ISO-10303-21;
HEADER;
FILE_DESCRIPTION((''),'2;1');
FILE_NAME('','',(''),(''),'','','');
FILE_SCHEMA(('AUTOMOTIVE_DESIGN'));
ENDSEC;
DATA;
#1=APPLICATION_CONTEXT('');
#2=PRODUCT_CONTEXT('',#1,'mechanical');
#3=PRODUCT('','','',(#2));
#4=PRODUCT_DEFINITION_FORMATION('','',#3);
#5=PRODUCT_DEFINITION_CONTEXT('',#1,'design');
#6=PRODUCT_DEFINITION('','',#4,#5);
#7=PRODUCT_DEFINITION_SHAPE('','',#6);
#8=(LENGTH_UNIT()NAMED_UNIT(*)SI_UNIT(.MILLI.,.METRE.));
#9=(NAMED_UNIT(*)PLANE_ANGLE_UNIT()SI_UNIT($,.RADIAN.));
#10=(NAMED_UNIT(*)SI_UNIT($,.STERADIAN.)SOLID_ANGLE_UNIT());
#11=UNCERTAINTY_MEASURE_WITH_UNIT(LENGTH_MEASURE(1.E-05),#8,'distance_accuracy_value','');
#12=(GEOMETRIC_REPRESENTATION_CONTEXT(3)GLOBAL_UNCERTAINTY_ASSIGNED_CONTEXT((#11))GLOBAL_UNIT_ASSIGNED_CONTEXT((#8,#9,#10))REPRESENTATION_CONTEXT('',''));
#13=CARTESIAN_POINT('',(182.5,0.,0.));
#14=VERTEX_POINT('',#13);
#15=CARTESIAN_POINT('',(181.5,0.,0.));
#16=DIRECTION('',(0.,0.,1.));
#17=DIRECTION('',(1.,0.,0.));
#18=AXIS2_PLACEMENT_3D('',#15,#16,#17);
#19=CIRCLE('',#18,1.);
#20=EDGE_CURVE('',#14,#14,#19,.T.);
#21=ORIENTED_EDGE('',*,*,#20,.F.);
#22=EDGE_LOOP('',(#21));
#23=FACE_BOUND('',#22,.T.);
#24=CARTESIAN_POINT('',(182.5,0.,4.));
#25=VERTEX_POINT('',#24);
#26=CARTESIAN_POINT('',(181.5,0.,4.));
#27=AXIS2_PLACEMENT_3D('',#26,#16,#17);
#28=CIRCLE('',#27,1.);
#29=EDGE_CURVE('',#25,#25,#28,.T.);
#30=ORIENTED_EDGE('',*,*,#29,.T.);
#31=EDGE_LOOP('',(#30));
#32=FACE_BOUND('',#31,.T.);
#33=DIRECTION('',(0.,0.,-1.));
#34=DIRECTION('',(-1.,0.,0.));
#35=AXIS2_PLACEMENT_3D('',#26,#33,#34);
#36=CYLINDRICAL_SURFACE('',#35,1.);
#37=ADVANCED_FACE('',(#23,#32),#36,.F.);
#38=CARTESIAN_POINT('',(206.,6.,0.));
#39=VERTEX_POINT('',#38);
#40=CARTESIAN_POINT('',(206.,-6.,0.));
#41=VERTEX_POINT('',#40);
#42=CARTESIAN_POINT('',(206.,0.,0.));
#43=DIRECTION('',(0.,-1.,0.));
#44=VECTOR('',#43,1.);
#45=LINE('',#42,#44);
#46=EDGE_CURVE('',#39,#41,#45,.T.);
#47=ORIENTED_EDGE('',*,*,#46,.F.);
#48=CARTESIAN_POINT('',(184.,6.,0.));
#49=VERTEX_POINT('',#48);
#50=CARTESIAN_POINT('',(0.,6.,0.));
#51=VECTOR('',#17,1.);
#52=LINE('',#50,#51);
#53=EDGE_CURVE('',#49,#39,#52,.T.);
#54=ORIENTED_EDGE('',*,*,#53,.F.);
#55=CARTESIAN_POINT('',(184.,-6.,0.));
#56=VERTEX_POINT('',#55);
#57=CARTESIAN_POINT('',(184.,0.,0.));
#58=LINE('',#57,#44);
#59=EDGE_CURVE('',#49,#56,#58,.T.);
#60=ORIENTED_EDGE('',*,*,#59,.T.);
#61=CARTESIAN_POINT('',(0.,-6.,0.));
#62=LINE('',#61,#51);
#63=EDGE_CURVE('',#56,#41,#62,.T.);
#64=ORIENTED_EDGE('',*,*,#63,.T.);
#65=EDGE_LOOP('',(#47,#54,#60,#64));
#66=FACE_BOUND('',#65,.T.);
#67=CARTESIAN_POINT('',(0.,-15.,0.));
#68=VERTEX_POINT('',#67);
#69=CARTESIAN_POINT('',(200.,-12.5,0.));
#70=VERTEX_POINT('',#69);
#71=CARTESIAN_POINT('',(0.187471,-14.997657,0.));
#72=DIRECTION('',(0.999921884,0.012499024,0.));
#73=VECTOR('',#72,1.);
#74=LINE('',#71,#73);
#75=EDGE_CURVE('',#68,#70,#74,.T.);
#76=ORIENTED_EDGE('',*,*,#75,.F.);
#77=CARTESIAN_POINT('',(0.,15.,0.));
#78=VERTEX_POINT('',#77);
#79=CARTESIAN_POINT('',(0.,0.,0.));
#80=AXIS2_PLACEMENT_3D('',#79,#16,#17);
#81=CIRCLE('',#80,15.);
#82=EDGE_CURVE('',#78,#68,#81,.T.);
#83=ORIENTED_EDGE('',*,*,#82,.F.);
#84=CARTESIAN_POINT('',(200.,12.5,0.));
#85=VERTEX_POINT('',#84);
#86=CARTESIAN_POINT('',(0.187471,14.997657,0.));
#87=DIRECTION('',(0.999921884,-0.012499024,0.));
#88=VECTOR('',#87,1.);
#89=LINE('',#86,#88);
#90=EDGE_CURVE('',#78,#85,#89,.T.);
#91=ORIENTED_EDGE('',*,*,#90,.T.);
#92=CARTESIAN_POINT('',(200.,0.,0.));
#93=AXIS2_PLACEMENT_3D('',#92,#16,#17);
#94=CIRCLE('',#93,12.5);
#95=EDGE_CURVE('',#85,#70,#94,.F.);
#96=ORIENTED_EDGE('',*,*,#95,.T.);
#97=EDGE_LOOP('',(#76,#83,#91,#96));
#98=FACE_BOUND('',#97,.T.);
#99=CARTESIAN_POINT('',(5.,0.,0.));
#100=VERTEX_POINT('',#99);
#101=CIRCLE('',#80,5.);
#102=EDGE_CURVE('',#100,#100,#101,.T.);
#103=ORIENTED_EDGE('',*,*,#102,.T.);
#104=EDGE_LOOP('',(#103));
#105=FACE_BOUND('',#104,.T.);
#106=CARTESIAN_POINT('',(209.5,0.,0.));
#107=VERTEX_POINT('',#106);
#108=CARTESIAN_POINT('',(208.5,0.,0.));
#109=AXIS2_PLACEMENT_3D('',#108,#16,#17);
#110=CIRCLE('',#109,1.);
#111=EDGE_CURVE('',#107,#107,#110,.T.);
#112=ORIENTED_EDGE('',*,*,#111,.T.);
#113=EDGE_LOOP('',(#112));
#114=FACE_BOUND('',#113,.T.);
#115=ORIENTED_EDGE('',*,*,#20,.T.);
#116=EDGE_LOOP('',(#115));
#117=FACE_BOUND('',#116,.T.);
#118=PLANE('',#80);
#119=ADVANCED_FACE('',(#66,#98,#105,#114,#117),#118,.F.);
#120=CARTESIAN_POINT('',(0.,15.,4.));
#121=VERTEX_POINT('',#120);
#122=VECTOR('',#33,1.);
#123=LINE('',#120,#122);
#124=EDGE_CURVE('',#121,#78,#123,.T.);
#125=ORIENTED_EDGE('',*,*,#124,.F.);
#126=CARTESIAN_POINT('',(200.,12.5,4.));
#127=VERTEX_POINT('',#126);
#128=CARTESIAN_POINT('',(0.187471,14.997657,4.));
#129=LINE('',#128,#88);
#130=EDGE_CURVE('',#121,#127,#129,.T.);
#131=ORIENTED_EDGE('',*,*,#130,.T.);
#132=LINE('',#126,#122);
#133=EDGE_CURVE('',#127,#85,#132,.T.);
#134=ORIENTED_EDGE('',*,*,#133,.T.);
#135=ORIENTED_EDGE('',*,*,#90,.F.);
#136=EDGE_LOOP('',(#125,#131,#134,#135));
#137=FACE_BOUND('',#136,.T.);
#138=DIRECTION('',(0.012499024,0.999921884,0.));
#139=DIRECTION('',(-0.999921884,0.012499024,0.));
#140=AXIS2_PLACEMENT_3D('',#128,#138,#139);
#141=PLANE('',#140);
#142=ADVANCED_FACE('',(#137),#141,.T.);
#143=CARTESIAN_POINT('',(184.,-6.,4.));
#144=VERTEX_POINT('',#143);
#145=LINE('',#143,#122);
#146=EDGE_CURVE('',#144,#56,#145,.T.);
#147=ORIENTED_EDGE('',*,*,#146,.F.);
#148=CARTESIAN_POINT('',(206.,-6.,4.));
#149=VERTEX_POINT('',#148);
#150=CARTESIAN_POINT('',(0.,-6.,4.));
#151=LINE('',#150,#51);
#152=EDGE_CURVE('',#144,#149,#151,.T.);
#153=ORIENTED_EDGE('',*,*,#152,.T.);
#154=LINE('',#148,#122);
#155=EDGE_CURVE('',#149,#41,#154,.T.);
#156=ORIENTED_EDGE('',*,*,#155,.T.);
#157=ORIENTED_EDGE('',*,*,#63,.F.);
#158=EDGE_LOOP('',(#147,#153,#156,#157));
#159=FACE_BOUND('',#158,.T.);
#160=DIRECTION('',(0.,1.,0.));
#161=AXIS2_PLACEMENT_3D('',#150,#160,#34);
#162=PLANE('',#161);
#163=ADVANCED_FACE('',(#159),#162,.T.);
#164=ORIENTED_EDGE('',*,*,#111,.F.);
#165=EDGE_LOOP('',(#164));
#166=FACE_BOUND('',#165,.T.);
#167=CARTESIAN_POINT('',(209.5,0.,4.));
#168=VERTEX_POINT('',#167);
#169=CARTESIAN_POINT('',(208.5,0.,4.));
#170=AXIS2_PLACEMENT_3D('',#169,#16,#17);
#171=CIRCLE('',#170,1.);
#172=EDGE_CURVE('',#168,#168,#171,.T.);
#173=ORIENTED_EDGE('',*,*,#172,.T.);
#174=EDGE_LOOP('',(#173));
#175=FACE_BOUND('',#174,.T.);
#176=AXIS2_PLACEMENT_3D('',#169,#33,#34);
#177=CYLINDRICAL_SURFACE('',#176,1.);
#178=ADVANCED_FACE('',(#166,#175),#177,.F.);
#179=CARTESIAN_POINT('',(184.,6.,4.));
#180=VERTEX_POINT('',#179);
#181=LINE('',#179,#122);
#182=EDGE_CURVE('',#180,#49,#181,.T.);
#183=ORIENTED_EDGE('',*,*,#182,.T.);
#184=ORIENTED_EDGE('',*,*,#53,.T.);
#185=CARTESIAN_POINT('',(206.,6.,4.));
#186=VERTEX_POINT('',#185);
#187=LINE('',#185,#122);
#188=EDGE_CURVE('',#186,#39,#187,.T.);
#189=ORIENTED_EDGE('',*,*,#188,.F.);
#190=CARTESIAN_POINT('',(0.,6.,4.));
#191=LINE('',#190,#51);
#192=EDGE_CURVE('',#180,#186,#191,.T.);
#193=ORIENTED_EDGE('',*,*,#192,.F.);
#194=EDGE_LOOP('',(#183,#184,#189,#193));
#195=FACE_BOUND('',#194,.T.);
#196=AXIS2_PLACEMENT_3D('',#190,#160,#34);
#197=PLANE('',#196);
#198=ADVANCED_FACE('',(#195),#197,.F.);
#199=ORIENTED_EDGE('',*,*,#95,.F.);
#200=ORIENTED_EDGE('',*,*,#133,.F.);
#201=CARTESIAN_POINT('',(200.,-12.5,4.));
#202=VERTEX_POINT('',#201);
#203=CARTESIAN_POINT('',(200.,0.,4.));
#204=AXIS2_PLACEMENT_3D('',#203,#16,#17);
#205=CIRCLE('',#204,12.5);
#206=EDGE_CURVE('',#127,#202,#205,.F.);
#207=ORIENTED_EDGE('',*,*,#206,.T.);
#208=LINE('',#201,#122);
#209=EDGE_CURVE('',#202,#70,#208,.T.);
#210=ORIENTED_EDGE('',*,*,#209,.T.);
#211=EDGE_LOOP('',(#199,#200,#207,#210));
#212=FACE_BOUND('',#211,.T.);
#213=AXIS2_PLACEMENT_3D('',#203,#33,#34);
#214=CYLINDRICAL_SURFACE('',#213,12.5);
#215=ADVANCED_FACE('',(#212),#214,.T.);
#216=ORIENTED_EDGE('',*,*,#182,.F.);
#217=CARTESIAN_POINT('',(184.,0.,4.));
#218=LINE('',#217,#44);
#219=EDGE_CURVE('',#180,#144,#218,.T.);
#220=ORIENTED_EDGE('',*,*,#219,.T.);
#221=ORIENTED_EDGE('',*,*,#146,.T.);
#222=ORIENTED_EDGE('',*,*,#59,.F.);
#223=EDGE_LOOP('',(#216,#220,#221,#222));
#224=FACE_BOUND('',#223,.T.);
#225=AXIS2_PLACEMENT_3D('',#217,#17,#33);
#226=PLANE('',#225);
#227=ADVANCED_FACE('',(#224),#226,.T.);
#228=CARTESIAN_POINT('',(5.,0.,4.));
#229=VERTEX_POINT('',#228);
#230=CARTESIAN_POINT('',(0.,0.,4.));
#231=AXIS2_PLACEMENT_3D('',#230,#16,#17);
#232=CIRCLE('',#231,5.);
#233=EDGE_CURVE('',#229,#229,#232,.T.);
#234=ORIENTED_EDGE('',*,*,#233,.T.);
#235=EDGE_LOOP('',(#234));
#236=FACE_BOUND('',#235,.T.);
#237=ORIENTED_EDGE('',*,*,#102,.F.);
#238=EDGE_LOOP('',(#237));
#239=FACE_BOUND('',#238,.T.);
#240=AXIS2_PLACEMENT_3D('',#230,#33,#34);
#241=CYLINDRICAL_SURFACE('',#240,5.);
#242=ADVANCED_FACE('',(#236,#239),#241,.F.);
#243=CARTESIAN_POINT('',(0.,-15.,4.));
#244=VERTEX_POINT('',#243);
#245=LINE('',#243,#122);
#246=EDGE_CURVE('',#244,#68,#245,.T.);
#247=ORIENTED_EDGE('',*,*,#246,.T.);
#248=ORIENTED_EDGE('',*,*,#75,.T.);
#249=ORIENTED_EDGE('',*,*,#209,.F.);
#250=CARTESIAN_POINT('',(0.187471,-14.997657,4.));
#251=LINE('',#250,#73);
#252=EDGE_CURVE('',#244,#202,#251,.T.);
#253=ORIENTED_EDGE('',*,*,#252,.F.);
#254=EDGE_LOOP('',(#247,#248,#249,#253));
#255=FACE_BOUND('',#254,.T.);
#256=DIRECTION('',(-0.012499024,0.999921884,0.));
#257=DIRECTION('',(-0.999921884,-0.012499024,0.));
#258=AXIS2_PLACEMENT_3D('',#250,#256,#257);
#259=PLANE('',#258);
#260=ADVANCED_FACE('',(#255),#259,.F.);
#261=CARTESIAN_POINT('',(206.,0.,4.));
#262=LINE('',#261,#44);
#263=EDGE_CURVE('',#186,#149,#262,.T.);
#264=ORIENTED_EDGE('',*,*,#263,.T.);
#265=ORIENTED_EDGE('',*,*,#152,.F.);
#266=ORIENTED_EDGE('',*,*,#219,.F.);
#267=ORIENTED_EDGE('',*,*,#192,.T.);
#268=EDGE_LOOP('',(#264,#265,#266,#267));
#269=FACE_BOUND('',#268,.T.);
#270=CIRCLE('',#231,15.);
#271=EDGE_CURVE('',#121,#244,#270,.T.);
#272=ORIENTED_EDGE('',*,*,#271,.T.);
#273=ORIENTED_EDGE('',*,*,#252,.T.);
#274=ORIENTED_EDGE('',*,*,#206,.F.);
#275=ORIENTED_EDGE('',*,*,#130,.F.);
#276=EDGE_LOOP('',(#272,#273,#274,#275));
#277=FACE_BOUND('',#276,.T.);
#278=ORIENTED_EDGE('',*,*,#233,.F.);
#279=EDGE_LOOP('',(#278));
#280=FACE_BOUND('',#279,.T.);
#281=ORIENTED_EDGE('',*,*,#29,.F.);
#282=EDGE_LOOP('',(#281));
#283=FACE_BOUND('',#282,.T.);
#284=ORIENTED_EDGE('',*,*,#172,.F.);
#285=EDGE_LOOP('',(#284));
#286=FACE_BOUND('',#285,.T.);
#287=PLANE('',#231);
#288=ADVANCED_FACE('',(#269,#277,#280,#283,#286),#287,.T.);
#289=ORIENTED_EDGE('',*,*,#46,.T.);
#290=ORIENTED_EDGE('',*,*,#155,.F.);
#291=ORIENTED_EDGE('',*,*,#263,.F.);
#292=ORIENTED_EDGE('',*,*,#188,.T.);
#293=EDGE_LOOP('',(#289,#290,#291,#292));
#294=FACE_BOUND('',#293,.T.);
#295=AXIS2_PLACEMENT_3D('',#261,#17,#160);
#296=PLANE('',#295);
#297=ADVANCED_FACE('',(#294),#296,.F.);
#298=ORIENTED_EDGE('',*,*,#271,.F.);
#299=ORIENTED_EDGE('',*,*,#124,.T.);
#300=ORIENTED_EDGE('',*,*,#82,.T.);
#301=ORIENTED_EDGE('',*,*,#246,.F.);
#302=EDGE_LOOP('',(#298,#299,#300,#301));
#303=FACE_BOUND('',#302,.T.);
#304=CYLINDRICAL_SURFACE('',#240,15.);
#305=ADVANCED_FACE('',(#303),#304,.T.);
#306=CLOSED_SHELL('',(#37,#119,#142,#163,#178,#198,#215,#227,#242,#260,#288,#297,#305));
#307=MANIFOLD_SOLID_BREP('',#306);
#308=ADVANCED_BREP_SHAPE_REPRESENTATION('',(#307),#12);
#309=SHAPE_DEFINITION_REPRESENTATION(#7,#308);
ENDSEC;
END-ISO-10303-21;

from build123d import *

# Parameters (mm, degrees)
SKETCH1_R           = 5
SKETCH1_R_2         = 1
SKETCH1_W           = 22
SKETCH1_H           = 12
BOSS_EXTRUDE1_DEPTH = 4


with BuildPart() as part:
    # Sketch1 → Boss-Extrude1 (new body)
    with BuildSketch(Plane.XY):
        with BuildLine():
            Line((200, 12.5), (0, 15))
            ThreePointArc((0, 15), (-15, 0), (0, -15))
            Line((0, -15), (200, -12.5))
            ThreePointArc((200, -12.5), (212.5, 0), (200, 12.5))
        make_face()
        Circle(SKETCH1_R, mode=Mode.SUBTRACT)
        with Locations((181.5, 0)):
            Circle(SKETCH1_R_2, mode=Mode.SUBTRACT)
        with Locations((195, 0)):
            Rectangle(SKETCH1_W, SKETCH1_H, mode=Mode.SUBTRACT)
        with Locations((208.5, 0)):
            Circle(SKETCH1_R_2, mode=Mode.SUBTRACT)
    extrude(amount=BOSS_EXTRUDE1_DEPTH)


solid = part.part
